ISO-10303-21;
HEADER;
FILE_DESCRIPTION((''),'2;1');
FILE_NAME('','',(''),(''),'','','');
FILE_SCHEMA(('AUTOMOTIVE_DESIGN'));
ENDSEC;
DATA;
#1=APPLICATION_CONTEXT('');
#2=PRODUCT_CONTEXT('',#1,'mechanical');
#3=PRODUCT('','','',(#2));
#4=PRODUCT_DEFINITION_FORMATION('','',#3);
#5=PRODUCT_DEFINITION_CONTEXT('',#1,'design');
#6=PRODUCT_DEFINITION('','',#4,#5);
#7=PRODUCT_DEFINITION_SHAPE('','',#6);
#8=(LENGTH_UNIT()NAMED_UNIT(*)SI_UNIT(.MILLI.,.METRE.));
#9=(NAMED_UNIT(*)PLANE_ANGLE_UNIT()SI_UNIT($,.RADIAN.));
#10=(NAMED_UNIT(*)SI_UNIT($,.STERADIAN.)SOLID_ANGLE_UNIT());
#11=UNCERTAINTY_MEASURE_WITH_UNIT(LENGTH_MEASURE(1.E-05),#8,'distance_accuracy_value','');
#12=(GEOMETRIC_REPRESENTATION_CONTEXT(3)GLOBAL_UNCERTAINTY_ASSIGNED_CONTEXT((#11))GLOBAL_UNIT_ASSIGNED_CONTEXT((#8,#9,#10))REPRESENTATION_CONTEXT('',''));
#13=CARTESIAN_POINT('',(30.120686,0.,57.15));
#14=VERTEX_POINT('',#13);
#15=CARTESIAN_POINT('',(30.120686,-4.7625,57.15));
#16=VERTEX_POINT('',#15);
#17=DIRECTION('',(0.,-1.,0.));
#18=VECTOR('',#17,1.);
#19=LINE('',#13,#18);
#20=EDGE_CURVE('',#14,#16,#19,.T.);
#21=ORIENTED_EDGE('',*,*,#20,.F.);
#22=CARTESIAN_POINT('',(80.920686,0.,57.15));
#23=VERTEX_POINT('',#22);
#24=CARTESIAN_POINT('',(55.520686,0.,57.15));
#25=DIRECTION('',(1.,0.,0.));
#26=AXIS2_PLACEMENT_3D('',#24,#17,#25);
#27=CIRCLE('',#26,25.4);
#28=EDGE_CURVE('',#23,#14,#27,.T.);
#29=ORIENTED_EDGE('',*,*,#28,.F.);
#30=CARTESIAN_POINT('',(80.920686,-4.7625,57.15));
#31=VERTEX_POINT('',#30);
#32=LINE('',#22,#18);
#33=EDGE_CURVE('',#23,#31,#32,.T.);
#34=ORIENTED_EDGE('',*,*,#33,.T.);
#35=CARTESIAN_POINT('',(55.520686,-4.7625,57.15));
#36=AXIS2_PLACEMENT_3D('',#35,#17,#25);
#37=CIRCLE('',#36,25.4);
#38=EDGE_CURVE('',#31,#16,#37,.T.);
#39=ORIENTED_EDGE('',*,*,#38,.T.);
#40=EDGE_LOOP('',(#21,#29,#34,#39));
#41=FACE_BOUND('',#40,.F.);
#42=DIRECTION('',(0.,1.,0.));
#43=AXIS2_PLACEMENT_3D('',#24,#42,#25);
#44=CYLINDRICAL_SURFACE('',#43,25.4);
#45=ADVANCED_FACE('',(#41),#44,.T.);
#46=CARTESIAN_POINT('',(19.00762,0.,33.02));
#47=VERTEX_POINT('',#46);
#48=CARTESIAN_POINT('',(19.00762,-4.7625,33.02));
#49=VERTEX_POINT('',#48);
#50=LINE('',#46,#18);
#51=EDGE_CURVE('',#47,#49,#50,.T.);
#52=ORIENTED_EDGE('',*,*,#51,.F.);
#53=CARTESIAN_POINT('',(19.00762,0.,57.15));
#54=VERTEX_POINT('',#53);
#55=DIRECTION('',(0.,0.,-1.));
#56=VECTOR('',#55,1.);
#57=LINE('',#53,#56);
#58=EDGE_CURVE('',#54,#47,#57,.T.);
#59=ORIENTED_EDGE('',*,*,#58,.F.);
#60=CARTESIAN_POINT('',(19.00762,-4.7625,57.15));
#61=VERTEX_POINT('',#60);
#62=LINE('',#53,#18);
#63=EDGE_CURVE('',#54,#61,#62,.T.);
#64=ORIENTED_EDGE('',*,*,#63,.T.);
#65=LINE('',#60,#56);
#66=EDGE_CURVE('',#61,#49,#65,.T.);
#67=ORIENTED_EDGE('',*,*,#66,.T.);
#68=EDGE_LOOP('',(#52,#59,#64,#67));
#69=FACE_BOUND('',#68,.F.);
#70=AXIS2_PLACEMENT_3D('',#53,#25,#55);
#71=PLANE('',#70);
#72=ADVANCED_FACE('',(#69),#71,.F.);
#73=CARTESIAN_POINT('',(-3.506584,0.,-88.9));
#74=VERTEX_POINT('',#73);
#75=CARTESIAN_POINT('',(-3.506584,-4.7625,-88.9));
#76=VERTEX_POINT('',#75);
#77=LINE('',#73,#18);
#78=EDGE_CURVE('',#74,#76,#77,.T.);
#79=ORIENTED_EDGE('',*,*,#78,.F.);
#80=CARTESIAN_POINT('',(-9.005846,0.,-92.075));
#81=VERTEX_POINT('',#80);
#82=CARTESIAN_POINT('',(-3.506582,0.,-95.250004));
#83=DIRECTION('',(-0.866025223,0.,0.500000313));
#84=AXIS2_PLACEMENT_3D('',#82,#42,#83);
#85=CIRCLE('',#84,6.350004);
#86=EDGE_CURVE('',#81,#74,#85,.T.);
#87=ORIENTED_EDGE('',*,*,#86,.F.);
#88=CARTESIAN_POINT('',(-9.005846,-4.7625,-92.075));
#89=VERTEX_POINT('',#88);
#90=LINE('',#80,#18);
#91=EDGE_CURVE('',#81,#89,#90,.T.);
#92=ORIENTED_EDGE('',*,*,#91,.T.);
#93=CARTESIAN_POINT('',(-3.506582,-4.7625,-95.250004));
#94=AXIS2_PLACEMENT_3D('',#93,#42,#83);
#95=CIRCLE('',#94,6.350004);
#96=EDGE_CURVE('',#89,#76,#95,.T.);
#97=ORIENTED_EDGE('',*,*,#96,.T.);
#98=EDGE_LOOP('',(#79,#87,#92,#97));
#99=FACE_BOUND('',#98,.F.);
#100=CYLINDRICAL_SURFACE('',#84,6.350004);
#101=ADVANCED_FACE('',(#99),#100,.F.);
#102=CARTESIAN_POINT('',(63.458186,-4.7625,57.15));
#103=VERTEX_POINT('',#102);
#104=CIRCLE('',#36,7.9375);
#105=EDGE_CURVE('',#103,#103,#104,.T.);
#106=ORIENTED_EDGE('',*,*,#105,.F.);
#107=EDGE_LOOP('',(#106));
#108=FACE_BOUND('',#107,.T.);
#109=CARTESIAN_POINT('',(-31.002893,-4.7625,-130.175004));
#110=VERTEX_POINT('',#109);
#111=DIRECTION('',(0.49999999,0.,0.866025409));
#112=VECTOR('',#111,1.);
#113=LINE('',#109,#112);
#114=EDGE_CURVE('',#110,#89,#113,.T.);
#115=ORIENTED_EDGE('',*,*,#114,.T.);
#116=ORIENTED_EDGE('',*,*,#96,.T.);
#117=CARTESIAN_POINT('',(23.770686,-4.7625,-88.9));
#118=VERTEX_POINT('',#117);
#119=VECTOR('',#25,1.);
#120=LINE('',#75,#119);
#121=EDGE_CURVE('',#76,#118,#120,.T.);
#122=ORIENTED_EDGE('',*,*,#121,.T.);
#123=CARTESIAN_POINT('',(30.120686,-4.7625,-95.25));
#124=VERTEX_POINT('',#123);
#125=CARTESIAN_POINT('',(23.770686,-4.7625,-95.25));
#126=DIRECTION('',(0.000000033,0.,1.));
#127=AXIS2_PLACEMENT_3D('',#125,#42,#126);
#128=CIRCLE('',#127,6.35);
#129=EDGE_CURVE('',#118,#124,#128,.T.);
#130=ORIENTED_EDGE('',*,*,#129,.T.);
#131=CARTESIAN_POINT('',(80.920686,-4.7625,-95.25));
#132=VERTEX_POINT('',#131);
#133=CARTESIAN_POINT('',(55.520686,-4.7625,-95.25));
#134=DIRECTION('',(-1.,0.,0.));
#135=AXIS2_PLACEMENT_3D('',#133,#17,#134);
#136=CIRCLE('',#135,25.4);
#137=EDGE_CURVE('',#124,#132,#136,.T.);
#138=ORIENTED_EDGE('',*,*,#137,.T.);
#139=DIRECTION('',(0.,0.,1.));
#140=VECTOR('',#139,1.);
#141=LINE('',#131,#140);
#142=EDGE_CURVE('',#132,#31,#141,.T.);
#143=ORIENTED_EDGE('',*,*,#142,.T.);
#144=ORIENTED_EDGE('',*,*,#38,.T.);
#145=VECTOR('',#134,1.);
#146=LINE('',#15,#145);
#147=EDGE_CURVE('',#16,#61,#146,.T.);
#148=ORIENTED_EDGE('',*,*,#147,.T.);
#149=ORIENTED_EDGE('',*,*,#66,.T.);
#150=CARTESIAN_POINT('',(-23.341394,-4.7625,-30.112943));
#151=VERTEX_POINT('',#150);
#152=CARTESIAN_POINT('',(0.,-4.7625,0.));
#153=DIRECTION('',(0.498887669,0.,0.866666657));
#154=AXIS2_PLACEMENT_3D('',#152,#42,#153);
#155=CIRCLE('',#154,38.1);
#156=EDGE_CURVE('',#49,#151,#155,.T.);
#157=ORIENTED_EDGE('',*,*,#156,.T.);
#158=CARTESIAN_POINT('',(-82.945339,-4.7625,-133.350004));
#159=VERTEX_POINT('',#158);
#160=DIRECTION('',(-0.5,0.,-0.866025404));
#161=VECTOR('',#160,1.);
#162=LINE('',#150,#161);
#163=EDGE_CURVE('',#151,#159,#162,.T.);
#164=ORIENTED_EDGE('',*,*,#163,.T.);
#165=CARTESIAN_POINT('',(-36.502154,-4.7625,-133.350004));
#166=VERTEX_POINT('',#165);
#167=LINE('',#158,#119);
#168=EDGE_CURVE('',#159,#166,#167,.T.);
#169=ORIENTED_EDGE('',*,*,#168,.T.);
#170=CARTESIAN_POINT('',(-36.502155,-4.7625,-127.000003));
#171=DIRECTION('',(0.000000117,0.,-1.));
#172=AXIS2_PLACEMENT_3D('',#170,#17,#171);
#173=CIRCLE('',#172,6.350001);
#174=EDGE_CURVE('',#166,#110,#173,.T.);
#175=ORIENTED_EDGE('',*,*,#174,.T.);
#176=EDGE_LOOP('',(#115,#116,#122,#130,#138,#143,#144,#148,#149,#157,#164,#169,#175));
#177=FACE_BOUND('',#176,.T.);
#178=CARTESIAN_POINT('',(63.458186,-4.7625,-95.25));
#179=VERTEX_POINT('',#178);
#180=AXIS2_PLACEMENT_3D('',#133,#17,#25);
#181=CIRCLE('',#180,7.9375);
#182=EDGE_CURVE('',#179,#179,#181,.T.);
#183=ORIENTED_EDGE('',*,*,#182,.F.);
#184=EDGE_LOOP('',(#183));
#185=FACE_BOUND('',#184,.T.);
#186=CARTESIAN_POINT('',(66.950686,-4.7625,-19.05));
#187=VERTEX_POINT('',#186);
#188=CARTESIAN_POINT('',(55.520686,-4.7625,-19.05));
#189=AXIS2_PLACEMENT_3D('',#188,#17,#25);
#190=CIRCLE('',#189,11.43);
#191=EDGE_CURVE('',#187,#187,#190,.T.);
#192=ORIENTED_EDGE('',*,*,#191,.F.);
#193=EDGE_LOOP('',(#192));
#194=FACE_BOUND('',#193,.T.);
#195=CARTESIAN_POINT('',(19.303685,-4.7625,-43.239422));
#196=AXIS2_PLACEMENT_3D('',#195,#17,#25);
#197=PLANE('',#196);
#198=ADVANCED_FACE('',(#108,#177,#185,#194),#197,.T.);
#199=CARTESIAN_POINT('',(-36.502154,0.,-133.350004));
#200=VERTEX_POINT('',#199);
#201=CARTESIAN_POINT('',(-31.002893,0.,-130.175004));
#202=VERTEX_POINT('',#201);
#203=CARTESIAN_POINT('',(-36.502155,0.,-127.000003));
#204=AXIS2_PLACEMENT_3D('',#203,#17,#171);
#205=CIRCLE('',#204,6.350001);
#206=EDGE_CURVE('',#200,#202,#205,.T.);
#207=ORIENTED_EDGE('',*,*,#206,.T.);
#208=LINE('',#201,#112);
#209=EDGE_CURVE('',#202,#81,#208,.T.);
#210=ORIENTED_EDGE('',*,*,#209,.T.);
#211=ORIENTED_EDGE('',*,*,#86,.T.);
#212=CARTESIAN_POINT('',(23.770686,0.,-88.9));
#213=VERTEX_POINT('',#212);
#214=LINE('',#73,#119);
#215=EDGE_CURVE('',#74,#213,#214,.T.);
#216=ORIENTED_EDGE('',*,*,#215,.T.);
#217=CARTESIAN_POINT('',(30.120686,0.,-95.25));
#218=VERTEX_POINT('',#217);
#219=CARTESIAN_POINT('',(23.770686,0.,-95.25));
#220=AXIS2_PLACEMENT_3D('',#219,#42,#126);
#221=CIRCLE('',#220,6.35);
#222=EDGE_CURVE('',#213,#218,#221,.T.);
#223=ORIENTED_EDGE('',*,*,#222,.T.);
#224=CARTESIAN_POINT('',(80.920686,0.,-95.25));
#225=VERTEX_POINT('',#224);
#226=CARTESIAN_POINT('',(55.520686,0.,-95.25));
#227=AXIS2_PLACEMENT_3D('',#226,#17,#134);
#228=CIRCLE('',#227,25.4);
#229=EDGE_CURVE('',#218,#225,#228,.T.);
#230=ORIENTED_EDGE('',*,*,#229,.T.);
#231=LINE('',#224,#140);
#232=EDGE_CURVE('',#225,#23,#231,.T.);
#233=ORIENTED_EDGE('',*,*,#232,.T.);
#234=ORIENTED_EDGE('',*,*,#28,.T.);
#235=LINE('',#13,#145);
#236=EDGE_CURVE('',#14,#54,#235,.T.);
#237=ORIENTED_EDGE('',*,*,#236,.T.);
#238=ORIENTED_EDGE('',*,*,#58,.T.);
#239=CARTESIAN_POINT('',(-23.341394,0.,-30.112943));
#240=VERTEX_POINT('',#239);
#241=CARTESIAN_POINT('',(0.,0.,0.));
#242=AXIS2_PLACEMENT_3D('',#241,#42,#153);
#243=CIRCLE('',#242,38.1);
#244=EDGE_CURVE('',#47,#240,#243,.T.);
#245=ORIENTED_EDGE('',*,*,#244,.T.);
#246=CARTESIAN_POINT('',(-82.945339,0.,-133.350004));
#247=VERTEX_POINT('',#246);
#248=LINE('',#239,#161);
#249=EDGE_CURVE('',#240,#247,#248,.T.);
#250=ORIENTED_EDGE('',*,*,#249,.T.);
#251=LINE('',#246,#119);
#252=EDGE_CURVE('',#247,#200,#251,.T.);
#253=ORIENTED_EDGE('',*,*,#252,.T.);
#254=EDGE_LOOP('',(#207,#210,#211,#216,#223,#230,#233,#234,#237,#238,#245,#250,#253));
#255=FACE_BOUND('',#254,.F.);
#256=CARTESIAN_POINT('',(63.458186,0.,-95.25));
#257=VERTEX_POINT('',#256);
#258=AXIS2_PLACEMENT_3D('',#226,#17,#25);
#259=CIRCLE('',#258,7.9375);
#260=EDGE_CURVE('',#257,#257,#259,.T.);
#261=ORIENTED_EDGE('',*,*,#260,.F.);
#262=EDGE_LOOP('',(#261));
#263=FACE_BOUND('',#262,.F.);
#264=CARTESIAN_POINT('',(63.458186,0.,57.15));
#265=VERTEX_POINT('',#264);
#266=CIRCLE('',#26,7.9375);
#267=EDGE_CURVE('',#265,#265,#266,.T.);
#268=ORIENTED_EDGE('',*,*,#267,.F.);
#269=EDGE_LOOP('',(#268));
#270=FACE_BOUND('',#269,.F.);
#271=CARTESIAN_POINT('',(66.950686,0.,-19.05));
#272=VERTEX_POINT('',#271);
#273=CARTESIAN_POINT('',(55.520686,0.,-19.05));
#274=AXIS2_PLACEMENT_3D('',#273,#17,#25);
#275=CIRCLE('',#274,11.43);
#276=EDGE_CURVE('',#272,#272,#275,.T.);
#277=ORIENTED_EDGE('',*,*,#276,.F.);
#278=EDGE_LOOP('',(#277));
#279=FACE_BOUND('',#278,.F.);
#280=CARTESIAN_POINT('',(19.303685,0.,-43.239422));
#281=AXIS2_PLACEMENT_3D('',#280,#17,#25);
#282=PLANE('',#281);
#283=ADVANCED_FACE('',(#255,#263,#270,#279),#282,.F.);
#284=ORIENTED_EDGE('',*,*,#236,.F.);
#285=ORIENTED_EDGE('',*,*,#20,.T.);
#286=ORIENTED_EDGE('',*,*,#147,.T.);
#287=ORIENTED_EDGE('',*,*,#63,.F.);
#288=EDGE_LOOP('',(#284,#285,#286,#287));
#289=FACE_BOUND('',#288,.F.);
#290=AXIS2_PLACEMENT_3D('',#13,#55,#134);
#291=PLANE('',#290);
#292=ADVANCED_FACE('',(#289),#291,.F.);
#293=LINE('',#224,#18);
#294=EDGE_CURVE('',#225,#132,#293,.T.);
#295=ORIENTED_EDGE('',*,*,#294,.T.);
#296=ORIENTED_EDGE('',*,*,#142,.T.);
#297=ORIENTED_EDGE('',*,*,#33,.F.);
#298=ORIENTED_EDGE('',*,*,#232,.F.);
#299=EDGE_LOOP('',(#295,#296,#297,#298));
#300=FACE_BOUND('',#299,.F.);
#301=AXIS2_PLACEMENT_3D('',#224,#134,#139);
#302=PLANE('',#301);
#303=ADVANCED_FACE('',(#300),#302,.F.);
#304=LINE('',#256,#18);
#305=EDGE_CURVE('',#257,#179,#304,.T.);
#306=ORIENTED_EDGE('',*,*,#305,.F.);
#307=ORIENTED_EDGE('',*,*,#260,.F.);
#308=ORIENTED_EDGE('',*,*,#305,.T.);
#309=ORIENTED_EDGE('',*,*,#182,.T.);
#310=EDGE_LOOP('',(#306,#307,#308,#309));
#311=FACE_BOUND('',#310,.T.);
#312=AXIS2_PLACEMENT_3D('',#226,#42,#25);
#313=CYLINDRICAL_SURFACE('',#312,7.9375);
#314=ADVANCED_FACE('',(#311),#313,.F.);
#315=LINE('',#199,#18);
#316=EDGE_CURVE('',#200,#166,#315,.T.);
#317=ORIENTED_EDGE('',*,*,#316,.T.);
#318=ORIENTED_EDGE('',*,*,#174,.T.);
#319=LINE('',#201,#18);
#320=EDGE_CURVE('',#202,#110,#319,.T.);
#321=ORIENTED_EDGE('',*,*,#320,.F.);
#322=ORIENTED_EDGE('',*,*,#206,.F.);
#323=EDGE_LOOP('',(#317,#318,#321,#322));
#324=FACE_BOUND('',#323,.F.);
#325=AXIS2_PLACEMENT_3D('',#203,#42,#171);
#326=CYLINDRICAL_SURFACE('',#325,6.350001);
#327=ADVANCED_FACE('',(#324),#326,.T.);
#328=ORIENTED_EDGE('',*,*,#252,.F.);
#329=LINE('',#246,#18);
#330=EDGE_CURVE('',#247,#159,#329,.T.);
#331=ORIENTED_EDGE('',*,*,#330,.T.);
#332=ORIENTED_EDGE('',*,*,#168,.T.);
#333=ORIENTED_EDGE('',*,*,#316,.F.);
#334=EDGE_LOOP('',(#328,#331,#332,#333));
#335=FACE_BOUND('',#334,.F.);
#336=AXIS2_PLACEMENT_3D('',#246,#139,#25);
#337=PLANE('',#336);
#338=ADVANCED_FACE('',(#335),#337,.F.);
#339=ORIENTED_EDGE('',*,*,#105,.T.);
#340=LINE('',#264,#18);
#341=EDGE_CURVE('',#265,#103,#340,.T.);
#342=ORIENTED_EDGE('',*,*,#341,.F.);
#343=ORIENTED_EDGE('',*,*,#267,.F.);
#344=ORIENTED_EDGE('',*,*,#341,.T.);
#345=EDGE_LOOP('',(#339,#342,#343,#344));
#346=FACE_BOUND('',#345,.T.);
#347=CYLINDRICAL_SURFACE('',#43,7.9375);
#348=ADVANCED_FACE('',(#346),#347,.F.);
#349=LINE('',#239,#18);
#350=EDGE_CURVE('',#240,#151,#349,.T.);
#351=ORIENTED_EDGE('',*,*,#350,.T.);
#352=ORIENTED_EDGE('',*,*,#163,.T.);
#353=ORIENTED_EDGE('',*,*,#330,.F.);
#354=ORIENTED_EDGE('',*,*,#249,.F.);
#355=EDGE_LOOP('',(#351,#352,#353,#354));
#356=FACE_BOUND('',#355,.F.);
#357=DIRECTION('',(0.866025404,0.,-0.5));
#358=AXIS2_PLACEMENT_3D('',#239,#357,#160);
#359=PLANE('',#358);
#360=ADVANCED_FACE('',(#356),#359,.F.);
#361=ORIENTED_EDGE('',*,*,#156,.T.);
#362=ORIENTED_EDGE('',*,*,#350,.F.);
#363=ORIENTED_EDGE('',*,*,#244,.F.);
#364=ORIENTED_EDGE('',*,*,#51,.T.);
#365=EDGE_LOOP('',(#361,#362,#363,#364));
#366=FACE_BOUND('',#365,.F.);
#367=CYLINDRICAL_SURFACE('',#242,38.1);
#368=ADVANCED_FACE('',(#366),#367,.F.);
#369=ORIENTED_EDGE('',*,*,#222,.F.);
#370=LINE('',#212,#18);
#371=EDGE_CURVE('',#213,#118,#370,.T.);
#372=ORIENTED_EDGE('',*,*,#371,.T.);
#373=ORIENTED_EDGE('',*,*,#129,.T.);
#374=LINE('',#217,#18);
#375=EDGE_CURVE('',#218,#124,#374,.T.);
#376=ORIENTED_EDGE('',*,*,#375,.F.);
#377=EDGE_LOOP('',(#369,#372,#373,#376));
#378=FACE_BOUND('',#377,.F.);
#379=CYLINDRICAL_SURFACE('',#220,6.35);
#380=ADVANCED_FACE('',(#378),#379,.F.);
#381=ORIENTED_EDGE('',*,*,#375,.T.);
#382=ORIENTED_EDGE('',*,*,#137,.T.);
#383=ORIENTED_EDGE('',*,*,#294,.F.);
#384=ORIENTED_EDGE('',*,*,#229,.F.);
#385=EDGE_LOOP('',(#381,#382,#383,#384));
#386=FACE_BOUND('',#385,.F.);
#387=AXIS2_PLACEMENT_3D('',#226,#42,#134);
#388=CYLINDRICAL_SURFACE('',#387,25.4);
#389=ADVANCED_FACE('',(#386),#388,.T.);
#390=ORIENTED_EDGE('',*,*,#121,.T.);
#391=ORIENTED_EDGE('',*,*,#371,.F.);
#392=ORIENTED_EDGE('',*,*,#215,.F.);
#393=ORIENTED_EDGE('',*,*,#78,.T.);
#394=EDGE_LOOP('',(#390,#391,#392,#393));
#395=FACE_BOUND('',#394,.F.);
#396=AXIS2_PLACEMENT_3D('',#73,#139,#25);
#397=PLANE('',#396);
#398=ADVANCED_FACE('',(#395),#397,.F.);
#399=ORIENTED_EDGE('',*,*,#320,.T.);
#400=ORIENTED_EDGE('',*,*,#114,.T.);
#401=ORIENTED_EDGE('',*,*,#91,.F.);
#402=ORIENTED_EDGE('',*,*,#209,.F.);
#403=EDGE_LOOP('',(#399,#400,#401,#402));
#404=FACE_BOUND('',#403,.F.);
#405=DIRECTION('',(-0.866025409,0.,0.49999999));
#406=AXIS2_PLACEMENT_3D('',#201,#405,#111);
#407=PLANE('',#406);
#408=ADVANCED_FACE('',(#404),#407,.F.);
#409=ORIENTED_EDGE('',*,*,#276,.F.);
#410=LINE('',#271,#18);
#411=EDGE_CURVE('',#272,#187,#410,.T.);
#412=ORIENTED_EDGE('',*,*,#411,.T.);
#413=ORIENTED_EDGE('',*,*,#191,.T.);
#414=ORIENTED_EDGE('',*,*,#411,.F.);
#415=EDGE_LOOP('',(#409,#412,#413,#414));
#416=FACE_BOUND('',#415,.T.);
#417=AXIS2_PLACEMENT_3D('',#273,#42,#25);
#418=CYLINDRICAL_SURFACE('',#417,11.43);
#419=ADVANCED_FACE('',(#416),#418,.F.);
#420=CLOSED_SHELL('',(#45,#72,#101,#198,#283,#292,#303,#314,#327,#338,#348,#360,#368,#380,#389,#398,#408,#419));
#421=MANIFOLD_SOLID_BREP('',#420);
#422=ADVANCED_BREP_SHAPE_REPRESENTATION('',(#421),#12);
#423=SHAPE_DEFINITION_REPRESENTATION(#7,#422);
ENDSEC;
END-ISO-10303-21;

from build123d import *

# Parameters (mm, degrees)
F0_R     = 7.9375
F0_R_2   = 11.43
F1_DEPTH = 4.7625


with BuildPart() as f1:
    # F0 (on Front) → F1 (new body)
    with BuildSketch(Plane.XZ):
        with BuildLine():
            Line((30.120686, 57.15), (19.00762, 57.15))
            Line((19.00762, 57.15), (19.00762, 33.02))
            ThreePointArc((19.00762, 33.02), (31.640757, -21.224337), (-23.341394, -30.112943))
            Line((-23.341394, -30.112943), (-82.945339, -133.350004))
            Line((-82.945339, -133.350004), (-36.502154, -133.350004))
            ThreePointArc((-36.502154, -133.350004), (-33.327154, -132.499265), (-31.002893, -130.175004))
            Line((-31.002893, -130.175004), (-9.005846, -92.075))
            ThreePointArc((-9.005846, -92.075), (-6.681584, -89.750739), (-3.506584, -88.9))
            Line((-3.506584, -88.9), (23.770686, -88.9))
            ThreePointArc((23.770686, -88.9), (28.260814, -90.759872), (30.120686, -95.25))
            ThreePointArc((30.120686, -95.25), (55.520686, -120.65), (80.920686, -95.25))
            Line((80.920686, -95.25), (80.920686, 57.15))
            ThreePointArc((80.920686, 57.15), (55.520686, 82.55), (30.120686, 57.15))
        make_face()
        with Locations((55.520686, -95.25)):
            Circle(F0_R, mode=Mode.SUBTRACT)
        with Locations((55.520686, -19.05)):
            Circle(F0_R_2, mode=Mode.SUBTRACT)
        with Locations((55.520686, 57.15)):
            Circle(F0_R, mode=Mode.SUBTRACT)
    extrude(amount=F1_DEPTH)


solid = f1.part
